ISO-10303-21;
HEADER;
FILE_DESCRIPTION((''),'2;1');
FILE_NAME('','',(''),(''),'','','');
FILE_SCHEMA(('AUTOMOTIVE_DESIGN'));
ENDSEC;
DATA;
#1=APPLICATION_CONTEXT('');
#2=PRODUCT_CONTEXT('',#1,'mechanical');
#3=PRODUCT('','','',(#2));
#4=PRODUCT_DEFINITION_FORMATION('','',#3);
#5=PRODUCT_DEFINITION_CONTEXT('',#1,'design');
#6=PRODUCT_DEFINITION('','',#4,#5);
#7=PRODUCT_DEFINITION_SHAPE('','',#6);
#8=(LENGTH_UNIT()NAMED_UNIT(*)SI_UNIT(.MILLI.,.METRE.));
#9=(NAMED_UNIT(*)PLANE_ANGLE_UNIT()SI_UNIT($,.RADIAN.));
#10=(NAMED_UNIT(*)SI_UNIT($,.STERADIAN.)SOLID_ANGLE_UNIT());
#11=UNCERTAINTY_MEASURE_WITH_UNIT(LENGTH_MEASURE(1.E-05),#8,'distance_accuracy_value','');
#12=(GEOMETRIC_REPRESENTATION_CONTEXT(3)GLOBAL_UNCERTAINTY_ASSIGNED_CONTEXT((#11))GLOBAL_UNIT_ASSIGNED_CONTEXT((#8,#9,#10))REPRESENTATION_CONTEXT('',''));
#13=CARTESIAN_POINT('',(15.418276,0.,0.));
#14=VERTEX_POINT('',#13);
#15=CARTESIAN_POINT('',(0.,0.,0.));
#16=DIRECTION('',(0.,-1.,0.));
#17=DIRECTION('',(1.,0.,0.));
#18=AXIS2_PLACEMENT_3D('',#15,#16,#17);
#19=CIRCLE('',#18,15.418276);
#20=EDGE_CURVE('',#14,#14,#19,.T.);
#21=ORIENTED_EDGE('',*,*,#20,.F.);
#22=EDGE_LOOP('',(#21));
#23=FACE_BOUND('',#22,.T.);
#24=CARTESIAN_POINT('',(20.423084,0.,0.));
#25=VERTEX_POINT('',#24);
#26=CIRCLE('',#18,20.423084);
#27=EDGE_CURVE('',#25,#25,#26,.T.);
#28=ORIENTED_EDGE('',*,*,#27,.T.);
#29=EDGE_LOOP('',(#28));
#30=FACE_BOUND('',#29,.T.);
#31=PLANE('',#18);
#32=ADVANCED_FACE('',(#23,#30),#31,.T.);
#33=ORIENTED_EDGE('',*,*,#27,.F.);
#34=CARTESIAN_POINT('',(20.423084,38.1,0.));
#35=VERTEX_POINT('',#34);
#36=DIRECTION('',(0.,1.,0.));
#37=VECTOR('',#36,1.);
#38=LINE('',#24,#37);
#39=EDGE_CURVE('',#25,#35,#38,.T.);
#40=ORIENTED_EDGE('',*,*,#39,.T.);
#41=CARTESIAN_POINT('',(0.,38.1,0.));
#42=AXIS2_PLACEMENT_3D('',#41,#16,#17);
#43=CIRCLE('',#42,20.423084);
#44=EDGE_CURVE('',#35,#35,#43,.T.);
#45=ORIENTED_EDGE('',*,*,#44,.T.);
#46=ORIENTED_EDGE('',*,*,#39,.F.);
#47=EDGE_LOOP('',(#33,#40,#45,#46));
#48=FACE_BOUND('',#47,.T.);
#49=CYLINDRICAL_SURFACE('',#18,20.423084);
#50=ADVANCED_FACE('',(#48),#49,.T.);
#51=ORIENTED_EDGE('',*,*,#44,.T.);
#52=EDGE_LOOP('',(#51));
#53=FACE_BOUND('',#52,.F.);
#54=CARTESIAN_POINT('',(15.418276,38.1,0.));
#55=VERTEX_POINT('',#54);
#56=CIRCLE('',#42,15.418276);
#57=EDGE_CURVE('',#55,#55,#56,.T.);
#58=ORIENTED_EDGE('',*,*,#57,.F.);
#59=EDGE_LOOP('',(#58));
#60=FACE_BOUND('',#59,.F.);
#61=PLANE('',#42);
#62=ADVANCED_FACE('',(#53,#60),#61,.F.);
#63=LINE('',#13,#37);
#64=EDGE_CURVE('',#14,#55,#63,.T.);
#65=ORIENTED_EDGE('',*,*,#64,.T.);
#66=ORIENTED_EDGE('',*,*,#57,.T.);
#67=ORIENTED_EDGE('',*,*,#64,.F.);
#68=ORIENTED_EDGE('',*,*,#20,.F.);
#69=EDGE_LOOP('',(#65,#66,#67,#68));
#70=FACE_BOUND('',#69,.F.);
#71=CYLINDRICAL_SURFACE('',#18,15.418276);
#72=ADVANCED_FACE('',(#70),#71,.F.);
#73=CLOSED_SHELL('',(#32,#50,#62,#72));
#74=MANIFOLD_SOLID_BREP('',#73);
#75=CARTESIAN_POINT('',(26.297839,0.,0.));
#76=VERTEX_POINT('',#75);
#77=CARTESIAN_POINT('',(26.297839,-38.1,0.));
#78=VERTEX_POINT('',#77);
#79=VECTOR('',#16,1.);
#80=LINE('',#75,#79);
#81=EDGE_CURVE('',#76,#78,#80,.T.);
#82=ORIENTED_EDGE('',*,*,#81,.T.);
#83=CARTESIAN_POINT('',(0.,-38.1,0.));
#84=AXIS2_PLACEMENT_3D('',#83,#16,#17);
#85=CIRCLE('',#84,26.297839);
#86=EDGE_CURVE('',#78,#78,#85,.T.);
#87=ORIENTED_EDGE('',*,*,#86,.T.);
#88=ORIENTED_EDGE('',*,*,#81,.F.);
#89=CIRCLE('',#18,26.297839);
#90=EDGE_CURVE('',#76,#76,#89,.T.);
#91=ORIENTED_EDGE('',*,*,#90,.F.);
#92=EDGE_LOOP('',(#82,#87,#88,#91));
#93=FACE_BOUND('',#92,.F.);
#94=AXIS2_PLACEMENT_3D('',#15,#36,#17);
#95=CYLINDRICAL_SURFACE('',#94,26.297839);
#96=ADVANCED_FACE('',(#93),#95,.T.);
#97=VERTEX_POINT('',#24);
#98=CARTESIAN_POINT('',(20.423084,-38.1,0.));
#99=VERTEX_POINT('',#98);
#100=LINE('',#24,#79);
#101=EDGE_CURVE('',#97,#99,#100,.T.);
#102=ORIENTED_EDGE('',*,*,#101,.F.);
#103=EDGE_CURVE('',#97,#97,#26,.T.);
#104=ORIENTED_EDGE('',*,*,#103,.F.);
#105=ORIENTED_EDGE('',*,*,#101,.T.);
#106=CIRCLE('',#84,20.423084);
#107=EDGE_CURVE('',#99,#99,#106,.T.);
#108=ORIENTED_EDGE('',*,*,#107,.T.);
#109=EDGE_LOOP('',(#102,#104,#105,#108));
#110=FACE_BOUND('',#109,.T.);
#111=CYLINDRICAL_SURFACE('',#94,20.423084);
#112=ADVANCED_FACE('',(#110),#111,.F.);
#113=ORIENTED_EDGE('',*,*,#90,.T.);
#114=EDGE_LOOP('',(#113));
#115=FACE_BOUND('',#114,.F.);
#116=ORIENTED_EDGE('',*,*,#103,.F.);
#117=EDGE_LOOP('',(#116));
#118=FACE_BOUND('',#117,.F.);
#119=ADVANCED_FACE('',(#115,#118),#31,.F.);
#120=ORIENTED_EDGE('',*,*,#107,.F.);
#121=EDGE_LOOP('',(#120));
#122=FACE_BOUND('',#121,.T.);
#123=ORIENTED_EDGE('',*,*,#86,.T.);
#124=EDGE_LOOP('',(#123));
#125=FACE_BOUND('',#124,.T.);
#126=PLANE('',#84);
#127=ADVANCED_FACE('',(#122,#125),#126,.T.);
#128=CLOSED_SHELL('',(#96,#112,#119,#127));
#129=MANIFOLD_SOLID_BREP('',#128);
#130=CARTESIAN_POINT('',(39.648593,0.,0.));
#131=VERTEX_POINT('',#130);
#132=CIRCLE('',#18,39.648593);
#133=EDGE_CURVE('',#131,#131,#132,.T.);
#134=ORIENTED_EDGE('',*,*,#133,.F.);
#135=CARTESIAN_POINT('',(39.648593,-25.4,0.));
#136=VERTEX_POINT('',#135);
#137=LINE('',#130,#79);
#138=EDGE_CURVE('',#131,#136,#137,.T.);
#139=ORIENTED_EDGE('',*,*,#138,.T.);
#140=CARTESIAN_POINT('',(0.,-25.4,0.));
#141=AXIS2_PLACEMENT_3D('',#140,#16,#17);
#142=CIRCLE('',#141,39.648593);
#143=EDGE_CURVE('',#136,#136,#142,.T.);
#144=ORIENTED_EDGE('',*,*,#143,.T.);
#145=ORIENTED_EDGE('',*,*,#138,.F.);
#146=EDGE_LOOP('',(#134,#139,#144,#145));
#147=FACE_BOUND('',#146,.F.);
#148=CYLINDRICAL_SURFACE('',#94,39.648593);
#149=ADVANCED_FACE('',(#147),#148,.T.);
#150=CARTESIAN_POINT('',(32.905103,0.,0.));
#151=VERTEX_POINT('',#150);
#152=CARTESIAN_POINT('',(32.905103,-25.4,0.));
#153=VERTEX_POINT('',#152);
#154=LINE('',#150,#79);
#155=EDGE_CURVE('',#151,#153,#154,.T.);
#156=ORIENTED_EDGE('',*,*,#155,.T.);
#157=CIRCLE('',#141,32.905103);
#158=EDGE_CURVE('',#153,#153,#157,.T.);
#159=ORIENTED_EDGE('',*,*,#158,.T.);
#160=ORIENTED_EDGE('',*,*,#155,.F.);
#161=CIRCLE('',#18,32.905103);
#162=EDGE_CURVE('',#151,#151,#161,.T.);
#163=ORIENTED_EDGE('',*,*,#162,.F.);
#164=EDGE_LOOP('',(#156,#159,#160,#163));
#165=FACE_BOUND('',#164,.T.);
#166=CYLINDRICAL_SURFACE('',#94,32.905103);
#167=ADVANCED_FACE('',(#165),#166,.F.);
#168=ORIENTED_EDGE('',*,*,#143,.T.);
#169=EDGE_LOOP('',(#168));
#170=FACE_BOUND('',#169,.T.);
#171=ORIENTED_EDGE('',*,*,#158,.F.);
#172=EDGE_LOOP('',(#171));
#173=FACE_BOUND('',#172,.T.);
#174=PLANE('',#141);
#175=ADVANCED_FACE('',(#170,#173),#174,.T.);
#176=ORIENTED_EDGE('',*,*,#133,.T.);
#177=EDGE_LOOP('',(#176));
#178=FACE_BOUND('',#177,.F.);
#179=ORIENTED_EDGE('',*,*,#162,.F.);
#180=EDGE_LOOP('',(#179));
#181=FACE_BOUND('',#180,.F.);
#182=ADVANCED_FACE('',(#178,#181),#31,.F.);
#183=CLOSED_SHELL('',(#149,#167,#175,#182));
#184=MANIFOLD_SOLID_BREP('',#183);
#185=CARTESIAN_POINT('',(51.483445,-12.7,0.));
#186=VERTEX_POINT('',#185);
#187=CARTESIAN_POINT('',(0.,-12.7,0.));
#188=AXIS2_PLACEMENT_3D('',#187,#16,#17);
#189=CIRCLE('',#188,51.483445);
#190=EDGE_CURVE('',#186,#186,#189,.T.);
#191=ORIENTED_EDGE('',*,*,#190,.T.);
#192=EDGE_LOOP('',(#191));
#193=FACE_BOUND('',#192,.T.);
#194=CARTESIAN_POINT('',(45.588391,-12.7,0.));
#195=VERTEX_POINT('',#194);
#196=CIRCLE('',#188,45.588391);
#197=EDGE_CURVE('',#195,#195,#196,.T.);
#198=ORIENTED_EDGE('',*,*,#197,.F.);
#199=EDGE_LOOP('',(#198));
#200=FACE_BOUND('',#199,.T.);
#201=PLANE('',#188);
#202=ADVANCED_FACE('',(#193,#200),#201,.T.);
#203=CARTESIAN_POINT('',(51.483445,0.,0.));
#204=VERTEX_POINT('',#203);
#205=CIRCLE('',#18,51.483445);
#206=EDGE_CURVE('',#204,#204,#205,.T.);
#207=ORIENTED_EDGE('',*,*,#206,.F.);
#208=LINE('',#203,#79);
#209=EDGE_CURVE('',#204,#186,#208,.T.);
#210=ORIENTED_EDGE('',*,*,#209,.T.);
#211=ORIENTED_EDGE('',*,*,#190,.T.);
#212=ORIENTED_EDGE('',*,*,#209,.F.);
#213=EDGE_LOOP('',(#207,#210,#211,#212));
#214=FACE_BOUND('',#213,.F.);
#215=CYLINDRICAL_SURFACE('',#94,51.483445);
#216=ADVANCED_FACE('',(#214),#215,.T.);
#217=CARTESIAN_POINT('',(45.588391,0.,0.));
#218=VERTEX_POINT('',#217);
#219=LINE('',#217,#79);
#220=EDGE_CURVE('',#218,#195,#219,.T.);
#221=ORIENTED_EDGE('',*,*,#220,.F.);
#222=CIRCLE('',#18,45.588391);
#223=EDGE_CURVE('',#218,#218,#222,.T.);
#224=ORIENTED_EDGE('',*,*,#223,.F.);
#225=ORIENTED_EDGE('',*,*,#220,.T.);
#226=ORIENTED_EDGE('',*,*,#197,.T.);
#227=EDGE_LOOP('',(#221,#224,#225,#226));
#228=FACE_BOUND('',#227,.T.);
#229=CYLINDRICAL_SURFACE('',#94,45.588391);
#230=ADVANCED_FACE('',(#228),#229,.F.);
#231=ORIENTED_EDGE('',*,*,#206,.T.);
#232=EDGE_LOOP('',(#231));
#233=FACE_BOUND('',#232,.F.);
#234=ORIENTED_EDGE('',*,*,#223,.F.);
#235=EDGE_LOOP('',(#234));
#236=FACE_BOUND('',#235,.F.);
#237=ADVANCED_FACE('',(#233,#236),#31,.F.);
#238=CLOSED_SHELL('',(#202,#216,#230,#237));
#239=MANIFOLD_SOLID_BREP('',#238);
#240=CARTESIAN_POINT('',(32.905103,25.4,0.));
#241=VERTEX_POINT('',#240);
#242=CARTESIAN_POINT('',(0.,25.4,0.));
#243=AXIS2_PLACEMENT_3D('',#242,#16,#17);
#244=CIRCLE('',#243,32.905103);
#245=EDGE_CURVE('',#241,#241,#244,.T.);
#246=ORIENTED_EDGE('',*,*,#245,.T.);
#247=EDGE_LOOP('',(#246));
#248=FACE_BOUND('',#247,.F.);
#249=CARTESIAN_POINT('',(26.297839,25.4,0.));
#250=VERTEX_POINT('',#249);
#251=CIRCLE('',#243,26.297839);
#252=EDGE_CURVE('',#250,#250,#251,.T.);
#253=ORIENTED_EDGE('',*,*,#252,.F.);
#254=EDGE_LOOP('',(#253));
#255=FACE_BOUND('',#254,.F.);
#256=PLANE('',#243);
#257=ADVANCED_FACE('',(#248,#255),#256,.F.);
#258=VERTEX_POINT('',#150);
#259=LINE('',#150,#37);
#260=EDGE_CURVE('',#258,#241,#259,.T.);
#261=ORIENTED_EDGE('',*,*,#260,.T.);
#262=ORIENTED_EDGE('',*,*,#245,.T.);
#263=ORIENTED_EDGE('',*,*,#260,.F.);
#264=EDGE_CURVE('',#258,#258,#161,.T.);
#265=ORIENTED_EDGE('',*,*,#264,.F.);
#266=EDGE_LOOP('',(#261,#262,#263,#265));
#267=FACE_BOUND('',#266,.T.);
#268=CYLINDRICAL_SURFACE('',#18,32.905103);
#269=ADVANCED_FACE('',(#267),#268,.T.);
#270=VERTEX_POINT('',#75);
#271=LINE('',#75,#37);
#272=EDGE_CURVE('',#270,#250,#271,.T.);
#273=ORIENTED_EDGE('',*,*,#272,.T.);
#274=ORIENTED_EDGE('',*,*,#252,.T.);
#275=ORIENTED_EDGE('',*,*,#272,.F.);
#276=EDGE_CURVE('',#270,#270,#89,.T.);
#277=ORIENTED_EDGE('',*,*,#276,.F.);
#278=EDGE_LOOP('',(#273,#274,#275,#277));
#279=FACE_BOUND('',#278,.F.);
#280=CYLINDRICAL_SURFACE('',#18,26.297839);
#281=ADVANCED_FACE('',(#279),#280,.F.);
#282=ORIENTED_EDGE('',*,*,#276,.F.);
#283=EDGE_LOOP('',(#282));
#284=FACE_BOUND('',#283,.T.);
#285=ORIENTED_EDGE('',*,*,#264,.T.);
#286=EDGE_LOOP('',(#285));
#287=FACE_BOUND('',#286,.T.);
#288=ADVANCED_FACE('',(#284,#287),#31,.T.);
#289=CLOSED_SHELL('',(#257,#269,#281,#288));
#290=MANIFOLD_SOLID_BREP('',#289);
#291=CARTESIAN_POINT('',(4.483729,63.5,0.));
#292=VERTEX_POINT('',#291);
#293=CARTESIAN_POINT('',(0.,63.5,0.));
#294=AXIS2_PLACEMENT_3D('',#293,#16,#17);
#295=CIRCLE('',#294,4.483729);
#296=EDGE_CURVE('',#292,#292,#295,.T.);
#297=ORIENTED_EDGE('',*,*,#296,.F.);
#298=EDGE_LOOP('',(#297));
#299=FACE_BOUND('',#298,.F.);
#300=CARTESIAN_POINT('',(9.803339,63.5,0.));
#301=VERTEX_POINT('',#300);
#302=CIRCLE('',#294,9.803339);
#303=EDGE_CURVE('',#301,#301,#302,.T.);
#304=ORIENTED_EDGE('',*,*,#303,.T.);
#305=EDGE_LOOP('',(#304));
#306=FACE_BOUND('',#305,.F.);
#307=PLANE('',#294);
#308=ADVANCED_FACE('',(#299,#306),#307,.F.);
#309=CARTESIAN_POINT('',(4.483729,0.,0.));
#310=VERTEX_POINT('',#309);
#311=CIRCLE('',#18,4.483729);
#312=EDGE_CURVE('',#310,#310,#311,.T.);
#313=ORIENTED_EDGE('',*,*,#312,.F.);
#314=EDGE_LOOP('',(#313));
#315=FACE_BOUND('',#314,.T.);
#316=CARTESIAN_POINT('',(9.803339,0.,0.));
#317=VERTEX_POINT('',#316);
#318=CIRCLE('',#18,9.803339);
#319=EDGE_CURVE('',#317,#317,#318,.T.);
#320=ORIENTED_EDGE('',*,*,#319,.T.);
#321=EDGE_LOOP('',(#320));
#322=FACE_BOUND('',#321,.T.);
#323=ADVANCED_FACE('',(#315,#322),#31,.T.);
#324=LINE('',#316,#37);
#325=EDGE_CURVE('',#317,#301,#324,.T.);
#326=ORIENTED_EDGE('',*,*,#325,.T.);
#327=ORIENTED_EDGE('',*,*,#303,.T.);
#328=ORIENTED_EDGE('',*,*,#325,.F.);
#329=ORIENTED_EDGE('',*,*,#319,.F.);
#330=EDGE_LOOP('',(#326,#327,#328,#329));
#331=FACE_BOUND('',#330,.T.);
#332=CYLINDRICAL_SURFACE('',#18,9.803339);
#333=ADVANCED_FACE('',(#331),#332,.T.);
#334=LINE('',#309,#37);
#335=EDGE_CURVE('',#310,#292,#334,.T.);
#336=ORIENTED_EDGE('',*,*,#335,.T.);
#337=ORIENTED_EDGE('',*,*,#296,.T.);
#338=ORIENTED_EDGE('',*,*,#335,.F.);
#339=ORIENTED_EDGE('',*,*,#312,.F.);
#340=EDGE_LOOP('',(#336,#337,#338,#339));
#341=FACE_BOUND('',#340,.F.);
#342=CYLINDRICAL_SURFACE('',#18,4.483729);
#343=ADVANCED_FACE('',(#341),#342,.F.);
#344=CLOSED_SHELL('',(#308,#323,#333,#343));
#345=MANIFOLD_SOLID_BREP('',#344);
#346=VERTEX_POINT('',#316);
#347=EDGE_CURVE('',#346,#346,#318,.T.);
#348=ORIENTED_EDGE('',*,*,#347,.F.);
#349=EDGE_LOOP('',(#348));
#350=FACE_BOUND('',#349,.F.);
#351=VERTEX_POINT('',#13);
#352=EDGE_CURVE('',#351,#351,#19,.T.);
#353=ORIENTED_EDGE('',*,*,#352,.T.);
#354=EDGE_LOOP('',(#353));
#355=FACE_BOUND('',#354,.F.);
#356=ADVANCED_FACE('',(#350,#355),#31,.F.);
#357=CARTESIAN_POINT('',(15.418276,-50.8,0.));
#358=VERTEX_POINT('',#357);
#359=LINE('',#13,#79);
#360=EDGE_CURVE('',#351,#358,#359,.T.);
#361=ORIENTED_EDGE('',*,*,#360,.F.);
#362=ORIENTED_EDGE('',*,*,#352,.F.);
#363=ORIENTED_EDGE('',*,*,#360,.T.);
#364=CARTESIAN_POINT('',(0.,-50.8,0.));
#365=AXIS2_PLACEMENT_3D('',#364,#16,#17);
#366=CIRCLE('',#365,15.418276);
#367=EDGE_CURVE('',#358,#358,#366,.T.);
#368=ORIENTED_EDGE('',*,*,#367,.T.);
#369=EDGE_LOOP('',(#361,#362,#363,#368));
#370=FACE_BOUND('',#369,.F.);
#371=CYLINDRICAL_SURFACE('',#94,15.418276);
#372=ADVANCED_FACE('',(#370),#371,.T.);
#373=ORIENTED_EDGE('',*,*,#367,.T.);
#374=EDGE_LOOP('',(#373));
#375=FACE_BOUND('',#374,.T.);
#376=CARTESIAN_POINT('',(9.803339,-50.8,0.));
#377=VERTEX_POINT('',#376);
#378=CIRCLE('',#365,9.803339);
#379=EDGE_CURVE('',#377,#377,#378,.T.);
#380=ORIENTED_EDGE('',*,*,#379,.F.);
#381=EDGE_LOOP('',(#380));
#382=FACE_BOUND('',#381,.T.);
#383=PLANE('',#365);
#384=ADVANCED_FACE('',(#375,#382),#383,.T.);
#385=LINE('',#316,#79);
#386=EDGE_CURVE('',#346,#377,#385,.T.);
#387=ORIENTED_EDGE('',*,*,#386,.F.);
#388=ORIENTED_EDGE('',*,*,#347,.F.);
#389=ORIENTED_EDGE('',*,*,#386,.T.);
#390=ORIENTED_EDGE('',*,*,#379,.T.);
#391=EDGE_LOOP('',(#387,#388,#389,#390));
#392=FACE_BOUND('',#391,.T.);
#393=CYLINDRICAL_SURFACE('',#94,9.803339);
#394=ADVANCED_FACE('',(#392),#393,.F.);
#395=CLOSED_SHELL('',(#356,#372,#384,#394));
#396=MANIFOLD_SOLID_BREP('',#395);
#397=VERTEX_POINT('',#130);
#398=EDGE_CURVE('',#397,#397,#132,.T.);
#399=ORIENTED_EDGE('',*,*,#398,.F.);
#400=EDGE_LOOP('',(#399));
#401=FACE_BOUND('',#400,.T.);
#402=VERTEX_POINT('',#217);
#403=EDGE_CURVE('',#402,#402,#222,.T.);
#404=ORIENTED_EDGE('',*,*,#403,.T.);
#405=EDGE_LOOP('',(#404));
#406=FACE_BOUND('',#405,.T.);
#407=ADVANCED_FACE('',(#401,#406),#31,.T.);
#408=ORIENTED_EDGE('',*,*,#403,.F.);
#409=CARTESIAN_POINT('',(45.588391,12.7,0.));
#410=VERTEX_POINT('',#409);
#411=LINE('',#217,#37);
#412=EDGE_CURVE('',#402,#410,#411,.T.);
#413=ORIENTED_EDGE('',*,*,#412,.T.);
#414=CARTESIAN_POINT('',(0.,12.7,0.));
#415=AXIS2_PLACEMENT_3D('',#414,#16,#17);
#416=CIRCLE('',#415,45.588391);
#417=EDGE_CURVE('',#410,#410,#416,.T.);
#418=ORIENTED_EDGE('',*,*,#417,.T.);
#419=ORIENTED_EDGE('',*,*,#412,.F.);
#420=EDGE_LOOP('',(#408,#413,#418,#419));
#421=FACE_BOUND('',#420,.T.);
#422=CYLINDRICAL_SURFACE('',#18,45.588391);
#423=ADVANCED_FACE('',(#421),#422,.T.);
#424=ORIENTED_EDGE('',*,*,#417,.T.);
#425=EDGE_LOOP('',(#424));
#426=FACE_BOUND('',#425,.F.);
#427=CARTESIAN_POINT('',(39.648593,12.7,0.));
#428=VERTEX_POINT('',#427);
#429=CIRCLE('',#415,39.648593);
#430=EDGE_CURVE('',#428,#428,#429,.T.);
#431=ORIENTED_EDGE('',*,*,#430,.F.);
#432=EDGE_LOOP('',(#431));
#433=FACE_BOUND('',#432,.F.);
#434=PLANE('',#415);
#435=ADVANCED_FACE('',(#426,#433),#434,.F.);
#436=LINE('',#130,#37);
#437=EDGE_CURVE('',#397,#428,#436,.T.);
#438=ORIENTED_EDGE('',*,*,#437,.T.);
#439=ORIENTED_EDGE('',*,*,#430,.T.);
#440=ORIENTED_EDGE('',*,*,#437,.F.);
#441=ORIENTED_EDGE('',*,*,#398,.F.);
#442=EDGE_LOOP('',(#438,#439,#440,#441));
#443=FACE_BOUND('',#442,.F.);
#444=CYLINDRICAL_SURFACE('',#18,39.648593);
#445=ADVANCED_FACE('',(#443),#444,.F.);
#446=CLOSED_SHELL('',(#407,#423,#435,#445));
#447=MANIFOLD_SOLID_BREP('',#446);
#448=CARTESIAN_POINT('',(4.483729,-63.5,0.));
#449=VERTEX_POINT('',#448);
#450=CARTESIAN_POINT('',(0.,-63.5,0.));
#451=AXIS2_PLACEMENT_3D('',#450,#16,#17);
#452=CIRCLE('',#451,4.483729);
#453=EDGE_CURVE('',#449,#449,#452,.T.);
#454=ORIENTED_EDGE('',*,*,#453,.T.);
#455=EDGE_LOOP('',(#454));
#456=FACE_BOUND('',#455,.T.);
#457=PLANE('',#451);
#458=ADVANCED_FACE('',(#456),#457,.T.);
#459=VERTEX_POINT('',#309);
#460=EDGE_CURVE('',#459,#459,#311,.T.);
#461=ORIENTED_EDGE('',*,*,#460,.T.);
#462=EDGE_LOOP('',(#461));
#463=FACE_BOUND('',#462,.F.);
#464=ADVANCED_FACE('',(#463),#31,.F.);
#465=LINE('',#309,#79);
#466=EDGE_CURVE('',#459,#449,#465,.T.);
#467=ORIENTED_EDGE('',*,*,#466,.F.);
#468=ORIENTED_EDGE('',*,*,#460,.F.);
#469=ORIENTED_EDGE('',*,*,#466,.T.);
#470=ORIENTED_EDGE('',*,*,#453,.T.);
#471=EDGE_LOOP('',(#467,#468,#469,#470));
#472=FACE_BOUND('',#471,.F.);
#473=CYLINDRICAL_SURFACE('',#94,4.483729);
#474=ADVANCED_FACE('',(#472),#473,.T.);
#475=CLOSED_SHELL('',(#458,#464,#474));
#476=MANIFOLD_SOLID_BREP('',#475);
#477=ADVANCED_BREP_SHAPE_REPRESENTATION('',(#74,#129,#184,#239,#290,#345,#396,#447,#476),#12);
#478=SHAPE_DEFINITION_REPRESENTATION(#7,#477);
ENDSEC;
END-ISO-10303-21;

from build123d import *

# Parameters (mm, degrees)
F0_R     = 51.483445
F0_R_2   = 45.588391
F1_DEPTH = 12.7
F0_R_3   = 39.648593
F2_DEPTH = 12.7
F0_R_4   = 32.905103
F3_DEPTH = 25.4
F0_R_5   = 26.297839
F4_DEPTH = 25.4
F0_R_6   = 20.423084
F5_DEPTH = 38.1
F0_R_7   = 15.418276
F6_DEPTH = 38.1
F0_R_8   = 9.803339
F7_DEPTH = 50.8
F0_R_9   = 4.483729
F8_DEPTH = 63.5
F9_DEPTH = 63.5


with BuildPart() as f1:
    # F0 (on Front) → F1 (new body)
    with BuildSketch(Plane.XZ):
        Circle(F0_R)
        Circle(F0_R_2, mode=Mode.SUBTRACT)
    extrude(amount=F1_DEPTH)


with BuildPart() as f2:
    # F0 (on Front) → F2 (new body)
    with BuildSketch(Plane.XZ):
        Circle(F0_R_2)
        Circle(F0_R_3, mode=Mode.SUBTRACT)
    extrude(amount=-F2_DEPTH)


with BuildPart() as f3:
    # F0 (on Front) → F3 (new body)
    with BuildSketch(Plane.XZ):
        Circle(F0_R_3)
        Circle(F0_R_4, mode=Mode.SUBTRACT)
    extrude(amount=F3_DEPTH)

    # F0 (on Front) → F4 (join)
    with BuildSketch(Plane.XZ):
        Circle(F0_R_4)
        Circle(F0_R_5, mode=Mode.SUBTRACT)
    extrude(amount=-F4_DEPTH)


with BuildPart() as f5:
    # F0 (on Front) → F5 (new body)
    with BuildSketch(Plane.XZ):
        Circle(F0_R_5)
        Circle(F0_R_6, mode=Mode.SUBTRACT)
    extrude(amount=F5_DEPTH)

    # F0 (on Front) → F6 (join)
    with BuildSketch(Plane.XZ):
        Circle(F0_R_6)
        Circle(F0_R_7, mode=Mode.SUBTRACT)
    extrude(amount=-F6_DEPTH)


with BuildPart() as f7:
    # F0 (on Front) → F7 (new body)
    with BuildSketch(Plane.XZ):
        Circle(F0_R_7)
        Circle(F0_R_8, mode=Mode.SUBTRACT)
    extrude(amount=F7_DEPTH)

    # F0 (on Front) → F8 (join)
    with BuildSketch(Plane.XZ):
        Circle(F0_R_8)
        Circle(F0_R_9, mode=Mode.SUBTRACT)
    extrude(amount=-F8_DEPTH)


with BuildPart() as f9:
    # F0 (on Front) → F9 (new body)
    with BuildSketch(Plane.XZ):
        Circle(F0_R_9)
    extrude(amount=F9_DEPTH)


solid = Compound([f1.part, f2.part, f3.part, f5.part, f7.part, f9.part])
